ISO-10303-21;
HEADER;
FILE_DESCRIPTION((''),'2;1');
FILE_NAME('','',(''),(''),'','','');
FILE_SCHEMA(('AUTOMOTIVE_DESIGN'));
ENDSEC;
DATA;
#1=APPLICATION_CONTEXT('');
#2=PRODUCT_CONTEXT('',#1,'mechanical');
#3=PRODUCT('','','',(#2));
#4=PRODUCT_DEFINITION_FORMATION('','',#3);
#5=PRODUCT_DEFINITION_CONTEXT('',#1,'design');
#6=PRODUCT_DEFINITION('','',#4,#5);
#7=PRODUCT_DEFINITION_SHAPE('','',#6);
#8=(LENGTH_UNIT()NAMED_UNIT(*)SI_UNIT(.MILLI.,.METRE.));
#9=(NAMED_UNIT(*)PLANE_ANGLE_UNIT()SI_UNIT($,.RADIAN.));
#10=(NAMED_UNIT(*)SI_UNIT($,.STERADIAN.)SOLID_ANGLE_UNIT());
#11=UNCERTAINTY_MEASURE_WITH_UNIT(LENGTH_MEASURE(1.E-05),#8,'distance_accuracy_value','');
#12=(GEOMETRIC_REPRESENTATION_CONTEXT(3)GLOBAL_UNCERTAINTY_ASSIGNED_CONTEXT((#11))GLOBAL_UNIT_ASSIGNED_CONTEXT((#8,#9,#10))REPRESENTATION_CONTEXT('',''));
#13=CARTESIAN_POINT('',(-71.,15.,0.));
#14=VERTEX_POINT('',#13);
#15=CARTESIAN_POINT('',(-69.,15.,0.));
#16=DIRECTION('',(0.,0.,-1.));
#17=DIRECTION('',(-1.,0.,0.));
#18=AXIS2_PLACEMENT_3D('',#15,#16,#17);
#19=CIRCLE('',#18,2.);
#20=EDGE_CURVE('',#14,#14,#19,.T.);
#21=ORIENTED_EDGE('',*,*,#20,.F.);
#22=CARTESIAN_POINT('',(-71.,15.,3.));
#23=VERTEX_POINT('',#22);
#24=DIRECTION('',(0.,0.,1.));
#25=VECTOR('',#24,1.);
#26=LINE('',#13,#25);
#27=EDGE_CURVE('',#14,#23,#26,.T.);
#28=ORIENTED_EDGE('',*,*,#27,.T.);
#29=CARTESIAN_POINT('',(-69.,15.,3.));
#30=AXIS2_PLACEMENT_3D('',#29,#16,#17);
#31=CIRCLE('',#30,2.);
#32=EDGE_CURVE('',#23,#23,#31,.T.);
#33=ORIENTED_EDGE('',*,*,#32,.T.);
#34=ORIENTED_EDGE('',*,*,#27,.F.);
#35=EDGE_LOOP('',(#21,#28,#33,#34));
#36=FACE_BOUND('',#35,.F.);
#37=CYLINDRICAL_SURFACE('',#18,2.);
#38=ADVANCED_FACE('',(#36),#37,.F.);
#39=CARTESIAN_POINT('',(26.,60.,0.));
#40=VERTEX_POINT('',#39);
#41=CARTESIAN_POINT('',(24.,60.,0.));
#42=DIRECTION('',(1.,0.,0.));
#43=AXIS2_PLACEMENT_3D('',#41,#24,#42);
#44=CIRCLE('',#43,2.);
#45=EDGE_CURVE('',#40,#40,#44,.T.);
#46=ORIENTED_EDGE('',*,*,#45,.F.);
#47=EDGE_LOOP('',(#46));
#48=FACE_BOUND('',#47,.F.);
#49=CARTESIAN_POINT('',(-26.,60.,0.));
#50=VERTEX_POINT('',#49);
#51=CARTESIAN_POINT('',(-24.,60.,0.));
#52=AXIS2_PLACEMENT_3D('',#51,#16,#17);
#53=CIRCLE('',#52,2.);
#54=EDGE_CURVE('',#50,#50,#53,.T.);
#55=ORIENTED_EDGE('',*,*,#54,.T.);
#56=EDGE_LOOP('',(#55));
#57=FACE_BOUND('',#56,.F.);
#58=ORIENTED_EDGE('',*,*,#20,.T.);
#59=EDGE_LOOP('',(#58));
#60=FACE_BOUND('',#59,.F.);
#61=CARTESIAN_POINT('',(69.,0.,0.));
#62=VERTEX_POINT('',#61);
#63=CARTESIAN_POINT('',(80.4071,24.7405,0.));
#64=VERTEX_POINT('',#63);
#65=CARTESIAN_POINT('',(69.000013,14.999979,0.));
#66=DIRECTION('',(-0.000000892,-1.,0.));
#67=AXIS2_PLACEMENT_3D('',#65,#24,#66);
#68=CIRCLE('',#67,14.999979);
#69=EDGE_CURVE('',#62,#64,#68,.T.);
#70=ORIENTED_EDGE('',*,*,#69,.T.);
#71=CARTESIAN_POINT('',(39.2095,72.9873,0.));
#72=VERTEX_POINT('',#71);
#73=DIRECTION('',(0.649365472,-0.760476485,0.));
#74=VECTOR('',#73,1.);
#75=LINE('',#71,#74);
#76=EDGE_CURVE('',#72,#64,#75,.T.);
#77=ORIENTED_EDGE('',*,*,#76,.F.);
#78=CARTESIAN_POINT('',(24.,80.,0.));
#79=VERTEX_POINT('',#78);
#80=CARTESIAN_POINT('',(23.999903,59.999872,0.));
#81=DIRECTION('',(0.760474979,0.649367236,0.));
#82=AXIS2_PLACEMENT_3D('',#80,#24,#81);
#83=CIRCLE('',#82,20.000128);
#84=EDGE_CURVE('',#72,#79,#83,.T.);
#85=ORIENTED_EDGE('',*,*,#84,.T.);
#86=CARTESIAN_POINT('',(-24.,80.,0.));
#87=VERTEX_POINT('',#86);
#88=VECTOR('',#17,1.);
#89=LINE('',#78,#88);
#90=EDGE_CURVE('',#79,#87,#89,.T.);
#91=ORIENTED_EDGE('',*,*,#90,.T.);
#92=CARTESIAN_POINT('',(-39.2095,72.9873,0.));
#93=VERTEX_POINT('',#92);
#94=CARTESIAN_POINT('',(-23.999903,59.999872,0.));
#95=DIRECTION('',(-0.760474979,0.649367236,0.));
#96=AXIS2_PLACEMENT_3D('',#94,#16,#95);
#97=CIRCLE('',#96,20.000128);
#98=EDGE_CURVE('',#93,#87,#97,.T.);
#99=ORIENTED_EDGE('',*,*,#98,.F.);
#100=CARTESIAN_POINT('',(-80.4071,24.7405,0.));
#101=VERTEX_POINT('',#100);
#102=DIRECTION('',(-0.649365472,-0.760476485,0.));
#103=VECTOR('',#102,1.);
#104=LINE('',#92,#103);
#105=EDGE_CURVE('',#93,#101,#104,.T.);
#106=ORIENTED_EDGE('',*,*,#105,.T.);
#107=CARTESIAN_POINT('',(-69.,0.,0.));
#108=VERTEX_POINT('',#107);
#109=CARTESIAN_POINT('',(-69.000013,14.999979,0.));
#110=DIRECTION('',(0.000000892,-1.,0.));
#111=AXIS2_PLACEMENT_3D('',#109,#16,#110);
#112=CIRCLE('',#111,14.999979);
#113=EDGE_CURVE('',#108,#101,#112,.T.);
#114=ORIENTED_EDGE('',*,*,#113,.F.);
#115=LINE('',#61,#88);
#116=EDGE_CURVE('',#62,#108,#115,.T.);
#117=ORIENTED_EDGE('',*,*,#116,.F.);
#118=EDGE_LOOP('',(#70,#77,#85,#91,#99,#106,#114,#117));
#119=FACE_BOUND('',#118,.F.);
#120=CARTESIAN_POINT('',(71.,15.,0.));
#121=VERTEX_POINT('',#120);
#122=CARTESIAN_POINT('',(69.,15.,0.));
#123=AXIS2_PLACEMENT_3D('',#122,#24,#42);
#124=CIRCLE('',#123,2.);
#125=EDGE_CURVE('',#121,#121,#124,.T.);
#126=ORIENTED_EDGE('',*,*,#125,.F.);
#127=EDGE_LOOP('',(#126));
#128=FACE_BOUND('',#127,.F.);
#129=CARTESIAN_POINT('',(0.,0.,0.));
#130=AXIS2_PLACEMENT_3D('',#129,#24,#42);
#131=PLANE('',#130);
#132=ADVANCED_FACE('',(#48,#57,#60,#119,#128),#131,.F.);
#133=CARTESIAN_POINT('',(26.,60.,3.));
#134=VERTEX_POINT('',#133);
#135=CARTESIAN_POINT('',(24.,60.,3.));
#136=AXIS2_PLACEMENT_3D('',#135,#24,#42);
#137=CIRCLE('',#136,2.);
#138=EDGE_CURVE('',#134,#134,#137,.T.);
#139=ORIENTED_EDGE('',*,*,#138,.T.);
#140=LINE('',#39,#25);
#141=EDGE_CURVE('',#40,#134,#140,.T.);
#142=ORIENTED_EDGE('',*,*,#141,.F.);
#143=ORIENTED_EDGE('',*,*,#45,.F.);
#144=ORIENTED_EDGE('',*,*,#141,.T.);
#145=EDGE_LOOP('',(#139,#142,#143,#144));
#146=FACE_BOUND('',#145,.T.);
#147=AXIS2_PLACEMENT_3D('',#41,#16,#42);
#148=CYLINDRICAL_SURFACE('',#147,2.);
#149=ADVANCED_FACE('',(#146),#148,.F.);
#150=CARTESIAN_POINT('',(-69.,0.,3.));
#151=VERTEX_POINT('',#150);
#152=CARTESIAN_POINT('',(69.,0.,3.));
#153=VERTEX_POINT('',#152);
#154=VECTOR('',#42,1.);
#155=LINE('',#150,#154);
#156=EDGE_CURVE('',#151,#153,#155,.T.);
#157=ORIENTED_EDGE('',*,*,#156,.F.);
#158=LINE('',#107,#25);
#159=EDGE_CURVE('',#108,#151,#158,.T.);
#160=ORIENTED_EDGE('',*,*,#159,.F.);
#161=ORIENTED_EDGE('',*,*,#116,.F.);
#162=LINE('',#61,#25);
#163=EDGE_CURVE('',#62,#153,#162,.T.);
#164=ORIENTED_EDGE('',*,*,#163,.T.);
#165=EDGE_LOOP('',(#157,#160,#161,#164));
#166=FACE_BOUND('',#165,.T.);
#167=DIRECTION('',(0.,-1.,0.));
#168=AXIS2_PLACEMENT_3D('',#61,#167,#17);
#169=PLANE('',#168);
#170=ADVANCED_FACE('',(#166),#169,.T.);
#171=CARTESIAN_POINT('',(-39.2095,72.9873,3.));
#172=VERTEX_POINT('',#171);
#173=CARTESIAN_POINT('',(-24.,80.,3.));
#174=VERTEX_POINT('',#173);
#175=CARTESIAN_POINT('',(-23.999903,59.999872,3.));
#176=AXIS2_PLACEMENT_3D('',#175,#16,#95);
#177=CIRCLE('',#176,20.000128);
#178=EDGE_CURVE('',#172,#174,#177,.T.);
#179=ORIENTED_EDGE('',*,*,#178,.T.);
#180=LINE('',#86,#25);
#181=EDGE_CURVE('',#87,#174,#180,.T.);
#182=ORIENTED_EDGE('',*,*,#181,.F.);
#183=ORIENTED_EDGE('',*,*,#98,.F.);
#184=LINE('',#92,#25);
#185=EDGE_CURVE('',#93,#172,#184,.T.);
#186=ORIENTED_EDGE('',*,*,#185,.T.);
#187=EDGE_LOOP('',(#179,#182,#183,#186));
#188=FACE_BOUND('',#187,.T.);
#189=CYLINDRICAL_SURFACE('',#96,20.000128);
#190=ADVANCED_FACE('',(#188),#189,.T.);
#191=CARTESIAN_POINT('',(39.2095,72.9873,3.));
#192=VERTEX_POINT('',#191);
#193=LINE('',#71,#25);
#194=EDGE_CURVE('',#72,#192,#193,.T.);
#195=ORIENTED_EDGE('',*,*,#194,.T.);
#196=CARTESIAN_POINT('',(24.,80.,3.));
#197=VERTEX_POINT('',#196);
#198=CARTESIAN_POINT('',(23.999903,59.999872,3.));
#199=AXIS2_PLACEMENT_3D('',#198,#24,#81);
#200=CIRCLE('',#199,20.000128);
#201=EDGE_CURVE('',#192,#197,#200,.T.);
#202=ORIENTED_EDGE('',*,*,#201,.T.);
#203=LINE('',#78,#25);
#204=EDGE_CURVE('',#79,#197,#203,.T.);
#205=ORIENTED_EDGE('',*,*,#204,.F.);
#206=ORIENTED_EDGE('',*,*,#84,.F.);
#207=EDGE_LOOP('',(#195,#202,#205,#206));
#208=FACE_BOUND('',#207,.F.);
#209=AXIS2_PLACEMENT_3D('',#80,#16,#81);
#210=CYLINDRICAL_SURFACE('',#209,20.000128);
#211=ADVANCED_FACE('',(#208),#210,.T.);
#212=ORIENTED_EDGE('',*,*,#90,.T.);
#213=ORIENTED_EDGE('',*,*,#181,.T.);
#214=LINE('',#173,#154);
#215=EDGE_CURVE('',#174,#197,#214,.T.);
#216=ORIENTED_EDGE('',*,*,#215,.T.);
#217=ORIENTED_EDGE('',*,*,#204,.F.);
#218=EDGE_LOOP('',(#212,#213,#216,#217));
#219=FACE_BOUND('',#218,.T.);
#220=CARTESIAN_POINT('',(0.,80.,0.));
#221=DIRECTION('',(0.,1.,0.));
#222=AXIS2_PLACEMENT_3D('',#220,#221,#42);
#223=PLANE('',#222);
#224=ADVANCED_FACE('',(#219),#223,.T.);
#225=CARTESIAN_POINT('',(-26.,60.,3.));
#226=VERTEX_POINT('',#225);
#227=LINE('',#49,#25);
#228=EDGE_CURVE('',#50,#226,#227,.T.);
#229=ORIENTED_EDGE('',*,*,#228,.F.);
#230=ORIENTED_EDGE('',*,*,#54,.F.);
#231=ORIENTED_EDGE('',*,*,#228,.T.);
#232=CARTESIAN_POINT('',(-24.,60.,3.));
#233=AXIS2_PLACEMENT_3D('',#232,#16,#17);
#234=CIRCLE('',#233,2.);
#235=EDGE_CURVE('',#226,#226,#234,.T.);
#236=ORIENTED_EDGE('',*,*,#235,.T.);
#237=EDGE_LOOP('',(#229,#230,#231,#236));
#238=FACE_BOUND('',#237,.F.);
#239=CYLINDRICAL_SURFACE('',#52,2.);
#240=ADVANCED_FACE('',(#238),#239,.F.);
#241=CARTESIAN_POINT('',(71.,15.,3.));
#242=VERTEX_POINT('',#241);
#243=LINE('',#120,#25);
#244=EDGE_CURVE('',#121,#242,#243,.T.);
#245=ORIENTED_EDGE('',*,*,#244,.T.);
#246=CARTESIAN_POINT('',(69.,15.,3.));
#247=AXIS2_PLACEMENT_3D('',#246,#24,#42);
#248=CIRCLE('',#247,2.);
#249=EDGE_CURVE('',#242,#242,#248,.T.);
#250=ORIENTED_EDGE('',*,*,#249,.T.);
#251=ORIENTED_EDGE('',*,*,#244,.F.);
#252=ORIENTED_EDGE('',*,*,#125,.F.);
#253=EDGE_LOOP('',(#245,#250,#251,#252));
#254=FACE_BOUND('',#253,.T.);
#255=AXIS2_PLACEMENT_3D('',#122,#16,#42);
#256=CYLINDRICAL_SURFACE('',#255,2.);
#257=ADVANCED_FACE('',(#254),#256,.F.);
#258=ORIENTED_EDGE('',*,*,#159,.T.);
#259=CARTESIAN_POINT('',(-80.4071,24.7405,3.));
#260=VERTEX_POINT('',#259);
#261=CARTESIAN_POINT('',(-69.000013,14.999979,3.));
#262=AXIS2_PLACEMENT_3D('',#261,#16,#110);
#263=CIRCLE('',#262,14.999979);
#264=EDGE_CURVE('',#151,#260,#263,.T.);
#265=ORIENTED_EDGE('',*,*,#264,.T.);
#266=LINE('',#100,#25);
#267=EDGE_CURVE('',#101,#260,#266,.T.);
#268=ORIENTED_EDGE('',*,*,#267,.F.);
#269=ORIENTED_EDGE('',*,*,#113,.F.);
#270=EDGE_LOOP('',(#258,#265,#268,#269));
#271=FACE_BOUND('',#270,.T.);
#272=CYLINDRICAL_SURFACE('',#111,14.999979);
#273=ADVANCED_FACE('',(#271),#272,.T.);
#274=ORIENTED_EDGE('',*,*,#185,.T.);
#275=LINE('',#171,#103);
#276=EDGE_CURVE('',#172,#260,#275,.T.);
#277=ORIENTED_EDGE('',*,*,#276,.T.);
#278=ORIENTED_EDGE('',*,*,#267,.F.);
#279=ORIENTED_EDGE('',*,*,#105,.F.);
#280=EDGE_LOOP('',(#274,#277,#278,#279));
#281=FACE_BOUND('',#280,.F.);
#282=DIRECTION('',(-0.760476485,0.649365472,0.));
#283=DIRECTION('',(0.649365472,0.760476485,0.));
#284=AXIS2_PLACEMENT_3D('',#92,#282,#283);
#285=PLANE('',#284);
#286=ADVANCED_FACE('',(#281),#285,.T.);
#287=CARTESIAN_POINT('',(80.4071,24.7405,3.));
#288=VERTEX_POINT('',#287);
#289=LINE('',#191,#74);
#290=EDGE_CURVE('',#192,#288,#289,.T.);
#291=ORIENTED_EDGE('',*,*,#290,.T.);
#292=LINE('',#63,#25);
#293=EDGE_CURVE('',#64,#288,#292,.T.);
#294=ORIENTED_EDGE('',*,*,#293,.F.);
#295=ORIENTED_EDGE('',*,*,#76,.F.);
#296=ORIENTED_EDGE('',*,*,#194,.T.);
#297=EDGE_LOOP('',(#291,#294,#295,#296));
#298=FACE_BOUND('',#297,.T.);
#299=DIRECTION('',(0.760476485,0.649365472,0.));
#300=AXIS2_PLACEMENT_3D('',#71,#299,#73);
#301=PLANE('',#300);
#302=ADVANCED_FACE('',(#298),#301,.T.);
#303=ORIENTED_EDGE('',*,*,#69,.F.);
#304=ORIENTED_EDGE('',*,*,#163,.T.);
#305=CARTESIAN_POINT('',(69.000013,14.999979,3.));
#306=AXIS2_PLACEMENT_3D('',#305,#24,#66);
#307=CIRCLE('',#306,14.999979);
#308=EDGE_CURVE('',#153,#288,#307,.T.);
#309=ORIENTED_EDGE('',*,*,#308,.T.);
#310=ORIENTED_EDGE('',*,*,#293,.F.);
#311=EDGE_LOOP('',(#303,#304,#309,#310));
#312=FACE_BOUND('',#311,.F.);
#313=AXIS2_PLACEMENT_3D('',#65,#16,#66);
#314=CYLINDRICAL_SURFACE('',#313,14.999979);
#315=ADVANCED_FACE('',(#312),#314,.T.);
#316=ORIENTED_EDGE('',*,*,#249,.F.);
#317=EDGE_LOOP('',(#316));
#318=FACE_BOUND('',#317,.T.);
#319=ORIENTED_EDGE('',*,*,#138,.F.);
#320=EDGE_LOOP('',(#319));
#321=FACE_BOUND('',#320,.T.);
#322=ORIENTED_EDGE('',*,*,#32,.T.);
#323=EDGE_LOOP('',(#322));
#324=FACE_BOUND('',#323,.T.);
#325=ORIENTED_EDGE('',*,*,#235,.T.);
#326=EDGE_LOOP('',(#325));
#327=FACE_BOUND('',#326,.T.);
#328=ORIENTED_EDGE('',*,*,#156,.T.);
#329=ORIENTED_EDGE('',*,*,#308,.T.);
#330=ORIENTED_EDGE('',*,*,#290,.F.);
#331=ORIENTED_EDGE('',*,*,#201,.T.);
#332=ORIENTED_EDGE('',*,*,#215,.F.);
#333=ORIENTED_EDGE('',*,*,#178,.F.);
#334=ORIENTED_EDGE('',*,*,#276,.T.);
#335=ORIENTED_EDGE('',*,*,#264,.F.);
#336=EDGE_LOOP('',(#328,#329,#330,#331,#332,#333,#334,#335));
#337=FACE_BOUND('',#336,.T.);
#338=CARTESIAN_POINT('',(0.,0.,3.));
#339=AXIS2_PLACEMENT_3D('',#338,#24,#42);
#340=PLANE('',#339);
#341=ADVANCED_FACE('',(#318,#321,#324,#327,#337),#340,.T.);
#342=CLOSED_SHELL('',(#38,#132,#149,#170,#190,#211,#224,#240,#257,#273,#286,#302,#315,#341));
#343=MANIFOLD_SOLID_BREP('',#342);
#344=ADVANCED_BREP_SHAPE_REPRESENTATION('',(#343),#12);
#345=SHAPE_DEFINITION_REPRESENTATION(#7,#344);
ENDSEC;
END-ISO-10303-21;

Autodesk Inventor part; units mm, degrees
ref_plane "YZ Plane" through (0, 0, 0) normal (1, 0, 0) x (0, 1, 0)
ref_plane "XZ Plane" through (0, 0, 0) normal (0, 1, 0) x (-1, 0, 0)
ref_plane "XY Plane" through (0, 0, 0) normal (0, 0, 1) x (1, 0, 0)
sketch "Sketch1" plane through (0, 0, 0) normal (0, 0, 1) x (1, 0, 0)
  line L0 (0, 80) -> (0, 0)
  line L1 (0, 80) -> (24, 80)
  arc A0 (39.2095, 72.9873) -> (24, 80) centre (24, 60) ccw
  line L2 (39.2095, 72.9873) -> (80.4071, 24.7405)
  arc A1 (69, 0) -> (80.4071, 24.7405) centre (69, 15) ccw
  line L3 (69, 0) -> (0, 0)
  circle A2 centre (24, 60) radius 2
  circle A3 centre (69, 15) radius 2
  dimension "d0" = 24
  dimension "d1" = 20
  dimension "d2" = 45
  dimension "d3" = 45
  dimension "d4" = 15
  dimension "d5" = 4
  dimension "d6" = 4
extrude "Extrusion1" add sketch "Sketch1" along normal blind 3
mirror "Mirror1" about plane through (0, 0, 0) normal (1, 0, 0) of "Extrusion1"
equation "\"d3\" = d2"
properties part number "clawBase"
